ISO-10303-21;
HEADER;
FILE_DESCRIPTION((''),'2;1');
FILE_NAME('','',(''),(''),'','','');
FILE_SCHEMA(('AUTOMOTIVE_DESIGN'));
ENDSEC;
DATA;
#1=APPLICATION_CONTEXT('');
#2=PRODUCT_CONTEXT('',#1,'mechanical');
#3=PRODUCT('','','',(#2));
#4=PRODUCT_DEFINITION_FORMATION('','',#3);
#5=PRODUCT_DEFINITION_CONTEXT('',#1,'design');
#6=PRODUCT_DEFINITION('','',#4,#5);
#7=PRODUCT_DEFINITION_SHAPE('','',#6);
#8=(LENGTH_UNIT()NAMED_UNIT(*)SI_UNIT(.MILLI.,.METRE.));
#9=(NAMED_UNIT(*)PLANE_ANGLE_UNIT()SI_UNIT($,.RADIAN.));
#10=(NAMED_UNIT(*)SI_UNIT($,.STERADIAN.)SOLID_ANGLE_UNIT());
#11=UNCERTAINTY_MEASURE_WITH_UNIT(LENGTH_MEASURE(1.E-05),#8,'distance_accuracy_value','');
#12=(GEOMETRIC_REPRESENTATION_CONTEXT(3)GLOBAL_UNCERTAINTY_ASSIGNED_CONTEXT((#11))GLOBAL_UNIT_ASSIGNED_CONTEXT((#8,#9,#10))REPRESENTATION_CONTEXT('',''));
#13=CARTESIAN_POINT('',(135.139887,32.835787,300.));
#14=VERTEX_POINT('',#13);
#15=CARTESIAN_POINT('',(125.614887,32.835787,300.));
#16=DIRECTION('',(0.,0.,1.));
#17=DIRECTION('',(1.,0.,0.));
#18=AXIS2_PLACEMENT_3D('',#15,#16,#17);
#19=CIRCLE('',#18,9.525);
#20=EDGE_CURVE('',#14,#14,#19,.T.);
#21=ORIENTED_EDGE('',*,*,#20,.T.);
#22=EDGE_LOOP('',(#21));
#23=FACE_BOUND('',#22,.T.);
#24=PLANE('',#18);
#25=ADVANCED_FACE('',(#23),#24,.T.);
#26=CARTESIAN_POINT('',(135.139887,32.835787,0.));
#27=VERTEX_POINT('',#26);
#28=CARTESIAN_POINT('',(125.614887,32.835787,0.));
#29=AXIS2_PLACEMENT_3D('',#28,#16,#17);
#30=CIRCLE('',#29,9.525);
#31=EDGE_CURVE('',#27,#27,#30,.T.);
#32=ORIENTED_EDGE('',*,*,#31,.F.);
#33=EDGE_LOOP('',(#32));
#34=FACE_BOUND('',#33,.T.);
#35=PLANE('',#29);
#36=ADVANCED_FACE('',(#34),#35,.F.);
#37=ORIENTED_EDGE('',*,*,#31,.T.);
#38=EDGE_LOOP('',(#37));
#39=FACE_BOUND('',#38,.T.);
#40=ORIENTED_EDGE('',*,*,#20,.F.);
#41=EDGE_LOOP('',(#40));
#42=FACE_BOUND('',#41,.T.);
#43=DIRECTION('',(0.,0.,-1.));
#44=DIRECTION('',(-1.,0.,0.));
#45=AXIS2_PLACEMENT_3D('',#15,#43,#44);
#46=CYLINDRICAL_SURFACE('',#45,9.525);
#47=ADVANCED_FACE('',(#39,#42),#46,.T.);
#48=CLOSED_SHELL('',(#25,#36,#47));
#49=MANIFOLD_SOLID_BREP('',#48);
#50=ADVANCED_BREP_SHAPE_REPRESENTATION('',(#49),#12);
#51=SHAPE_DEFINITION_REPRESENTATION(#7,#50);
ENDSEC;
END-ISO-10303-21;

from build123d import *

# Parameters (mm, degrees)
SKETCH1_R           = 9.525
BOSS_EXTRUDE1_DEPTH = 300


with BuildPart() as part:
    # Sketch1 → Boss-Extrude1 (new body)
    with BuildSketch(Plane.XY):
        with Locations((125.614886662, 32.835787286)):
            Circle(SKETCH1_R)
    extrude(amount=BOSS_EXTRUDE1_DEPTH)


solid = part.part
